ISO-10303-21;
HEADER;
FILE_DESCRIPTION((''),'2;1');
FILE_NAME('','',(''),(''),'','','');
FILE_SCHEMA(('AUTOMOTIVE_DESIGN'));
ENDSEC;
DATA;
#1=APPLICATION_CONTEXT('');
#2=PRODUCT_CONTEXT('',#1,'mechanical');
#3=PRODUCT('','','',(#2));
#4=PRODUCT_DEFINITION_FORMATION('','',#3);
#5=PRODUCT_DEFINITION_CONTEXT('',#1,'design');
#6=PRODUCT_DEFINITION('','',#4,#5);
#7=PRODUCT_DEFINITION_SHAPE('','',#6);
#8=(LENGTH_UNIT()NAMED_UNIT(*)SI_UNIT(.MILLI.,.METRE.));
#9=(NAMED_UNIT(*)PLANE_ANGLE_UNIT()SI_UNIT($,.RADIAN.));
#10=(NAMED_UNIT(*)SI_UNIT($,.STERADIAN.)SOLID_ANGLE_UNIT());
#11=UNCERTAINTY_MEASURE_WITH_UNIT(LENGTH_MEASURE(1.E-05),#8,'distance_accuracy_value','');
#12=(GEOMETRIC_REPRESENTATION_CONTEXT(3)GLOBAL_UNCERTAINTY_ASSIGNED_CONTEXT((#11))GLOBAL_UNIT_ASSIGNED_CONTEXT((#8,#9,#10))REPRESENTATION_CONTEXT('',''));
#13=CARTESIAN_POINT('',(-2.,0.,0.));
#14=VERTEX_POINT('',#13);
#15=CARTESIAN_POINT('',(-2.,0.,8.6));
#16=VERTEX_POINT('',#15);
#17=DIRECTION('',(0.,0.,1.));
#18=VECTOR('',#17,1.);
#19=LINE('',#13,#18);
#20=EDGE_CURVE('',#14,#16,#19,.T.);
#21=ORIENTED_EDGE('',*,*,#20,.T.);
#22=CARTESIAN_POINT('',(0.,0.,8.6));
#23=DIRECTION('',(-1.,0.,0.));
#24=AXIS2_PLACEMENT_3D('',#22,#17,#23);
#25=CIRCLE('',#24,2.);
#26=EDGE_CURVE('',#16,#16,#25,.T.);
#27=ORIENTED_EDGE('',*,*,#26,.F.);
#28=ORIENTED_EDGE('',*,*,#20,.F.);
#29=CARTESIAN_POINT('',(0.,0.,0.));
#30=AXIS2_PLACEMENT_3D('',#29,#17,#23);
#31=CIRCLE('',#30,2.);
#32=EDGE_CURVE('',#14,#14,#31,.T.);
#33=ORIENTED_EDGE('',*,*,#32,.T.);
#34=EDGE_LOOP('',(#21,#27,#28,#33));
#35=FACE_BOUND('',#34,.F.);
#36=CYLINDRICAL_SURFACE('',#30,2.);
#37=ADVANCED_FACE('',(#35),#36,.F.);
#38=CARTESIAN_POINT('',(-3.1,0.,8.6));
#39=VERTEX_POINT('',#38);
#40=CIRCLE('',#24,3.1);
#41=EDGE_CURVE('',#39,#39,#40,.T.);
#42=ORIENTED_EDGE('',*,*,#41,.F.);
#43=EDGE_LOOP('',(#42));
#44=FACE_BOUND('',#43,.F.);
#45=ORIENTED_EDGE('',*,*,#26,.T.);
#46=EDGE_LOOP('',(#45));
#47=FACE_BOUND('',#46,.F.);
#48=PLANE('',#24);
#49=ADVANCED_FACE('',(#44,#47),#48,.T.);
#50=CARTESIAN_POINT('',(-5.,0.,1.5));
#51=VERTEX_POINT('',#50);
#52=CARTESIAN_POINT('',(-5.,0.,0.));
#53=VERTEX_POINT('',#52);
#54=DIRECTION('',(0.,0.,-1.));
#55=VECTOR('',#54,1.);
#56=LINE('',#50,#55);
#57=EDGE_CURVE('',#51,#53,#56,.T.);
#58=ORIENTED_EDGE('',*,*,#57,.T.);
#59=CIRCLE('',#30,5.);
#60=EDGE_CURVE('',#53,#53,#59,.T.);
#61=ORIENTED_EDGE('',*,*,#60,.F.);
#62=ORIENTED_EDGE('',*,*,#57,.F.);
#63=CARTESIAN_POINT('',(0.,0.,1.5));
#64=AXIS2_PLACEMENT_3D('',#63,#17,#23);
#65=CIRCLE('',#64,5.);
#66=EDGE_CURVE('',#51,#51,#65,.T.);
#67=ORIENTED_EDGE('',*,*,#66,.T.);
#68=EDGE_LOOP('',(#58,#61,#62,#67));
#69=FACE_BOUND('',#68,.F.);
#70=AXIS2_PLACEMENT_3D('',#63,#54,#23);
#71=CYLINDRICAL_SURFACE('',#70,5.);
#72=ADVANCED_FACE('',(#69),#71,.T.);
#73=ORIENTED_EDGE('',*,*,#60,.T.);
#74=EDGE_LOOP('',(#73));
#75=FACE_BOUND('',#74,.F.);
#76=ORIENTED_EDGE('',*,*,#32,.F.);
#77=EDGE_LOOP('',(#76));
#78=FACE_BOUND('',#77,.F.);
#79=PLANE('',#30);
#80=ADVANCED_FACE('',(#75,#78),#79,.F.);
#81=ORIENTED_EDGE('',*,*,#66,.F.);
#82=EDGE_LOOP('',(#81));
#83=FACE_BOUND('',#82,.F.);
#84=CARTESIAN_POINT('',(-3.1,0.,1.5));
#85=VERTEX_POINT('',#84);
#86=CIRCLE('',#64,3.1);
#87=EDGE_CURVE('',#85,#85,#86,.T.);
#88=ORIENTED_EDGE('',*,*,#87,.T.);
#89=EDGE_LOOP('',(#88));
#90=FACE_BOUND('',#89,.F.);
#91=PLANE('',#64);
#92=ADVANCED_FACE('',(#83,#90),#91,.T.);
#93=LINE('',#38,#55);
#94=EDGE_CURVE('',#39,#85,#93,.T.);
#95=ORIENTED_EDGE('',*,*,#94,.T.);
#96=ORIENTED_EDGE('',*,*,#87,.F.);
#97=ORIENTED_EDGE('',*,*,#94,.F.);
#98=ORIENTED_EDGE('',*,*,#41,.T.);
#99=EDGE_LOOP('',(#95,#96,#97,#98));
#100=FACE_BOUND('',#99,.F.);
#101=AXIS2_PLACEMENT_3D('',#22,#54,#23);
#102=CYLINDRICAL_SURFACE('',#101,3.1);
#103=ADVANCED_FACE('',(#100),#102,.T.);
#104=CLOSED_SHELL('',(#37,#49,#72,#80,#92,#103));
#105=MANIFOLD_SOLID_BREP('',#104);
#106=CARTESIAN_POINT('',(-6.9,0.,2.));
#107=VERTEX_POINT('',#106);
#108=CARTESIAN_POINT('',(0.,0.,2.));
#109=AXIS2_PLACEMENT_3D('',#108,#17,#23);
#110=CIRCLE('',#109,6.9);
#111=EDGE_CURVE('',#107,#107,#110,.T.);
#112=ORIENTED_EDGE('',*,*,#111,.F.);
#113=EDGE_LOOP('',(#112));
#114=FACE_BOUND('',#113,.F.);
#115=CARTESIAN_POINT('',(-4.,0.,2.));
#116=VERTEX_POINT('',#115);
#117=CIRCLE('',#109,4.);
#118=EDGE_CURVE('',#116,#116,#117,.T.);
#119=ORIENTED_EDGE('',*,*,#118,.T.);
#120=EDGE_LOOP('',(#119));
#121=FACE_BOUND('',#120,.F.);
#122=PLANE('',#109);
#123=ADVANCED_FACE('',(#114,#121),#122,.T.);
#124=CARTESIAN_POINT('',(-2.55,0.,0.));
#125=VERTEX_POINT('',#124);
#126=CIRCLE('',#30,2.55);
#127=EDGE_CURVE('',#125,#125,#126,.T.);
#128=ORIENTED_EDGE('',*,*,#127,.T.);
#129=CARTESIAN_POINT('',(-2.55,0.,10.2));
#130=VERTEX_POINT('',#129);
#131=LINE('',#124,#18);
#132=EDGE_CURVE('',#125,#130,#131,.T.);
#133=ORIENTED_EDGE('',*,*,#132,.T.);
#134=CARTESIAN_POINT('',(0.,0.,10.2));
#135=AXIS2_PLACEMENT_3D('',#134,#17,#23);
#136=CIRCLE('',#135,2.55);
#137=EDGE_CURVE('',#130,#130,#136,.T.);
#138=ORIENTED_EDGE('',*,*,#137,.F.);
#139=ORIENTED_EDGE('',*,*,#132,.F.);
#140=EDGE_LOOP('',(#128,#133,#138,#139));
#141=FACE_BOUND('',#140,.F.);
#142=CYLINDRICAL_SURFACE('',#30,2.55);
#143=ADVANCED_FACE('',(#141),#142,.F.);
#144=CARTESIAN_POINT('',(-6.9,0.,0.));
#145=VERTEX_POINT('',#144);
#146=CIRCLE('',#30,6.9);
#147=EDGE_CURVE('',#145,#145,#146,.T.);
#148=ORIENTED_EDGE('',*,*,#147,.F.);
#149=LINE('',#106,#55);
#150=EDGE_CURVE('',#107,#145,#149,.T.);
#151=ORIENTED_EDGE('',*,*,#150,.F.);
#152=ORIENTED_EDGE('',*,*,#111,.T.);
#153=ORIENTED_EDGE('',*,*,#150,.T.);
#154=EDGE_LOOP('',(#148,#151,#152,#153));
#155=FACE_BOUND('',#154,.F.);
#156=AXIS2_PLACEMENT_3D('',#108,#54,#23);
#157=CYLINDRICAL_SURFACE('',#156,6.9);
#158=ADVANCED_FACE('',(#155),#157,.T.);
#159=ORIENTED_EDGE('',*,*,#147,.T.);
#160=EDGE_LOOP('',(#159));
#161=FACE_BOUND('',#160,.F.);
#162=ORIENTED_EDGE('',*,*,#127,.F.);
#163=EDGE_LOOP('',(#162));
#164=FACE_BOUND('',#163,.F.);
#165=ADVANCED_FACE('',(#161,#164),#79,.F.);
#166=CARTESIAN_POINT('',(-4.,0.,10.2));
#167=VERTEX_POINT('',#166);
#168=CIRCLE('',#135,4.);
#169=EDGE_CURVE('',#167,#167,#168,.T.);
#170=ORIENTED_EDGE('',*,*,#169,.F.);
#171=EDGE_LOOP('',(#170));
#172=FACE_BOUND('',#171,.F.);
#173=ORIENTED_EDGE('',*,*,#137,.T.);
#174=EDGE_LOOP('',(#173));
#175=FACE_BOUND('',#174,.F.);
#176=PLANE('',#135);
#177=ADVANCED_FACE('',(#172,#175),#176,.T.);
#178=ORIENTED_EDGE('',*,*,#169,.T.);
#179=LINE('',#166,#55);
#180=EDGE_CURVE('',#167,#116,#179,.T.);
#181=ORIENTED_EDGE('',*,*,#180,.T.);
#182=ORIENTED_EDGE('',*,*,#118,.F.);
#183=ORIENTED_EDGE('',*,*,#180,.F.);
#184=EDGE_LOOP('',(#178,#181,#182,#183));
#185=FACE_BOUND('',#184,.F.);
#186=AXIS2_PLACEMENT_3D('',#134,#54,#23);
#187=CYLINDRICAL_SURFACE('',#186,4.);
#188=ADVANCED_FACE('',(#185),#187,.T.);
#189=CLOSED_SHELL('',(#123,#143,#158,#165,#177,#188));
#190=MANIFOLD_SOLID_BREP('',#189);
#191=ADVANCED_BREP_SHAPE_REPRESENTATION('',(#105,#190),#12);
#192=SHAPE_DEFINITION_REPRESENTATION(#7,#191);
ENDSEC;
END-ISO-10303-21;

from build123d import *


with BuildPart() as f1:
    # F0 (on Front) → F1 (revolve)
    with BuildSketch(Plane.XZ):
        Polygon((-5, 0), (-2, 0), (-2, 8.6), (-3.1, 8.6), (-3.1, 1.5), (-5, 1.5), align=None)
    revolve(axis=Axis((0, 0, 6.250541), (0, 0, 1)))


with BuildPart() as f3:
    # F2 (on Front) → F3 (revolve)
    with BuildSketch(Plane.XZ):
        Polygon((-6.9, 0), (-2.55, 0), (-2.55, 10.2), (-4, 10.2), (-4, 2), (-6.9, 2), align=None)
    revolve(axis=Axis((0, 0, 4.618362), (0, 0, 1)))


solid = Compound([f1.part, f3.part])
